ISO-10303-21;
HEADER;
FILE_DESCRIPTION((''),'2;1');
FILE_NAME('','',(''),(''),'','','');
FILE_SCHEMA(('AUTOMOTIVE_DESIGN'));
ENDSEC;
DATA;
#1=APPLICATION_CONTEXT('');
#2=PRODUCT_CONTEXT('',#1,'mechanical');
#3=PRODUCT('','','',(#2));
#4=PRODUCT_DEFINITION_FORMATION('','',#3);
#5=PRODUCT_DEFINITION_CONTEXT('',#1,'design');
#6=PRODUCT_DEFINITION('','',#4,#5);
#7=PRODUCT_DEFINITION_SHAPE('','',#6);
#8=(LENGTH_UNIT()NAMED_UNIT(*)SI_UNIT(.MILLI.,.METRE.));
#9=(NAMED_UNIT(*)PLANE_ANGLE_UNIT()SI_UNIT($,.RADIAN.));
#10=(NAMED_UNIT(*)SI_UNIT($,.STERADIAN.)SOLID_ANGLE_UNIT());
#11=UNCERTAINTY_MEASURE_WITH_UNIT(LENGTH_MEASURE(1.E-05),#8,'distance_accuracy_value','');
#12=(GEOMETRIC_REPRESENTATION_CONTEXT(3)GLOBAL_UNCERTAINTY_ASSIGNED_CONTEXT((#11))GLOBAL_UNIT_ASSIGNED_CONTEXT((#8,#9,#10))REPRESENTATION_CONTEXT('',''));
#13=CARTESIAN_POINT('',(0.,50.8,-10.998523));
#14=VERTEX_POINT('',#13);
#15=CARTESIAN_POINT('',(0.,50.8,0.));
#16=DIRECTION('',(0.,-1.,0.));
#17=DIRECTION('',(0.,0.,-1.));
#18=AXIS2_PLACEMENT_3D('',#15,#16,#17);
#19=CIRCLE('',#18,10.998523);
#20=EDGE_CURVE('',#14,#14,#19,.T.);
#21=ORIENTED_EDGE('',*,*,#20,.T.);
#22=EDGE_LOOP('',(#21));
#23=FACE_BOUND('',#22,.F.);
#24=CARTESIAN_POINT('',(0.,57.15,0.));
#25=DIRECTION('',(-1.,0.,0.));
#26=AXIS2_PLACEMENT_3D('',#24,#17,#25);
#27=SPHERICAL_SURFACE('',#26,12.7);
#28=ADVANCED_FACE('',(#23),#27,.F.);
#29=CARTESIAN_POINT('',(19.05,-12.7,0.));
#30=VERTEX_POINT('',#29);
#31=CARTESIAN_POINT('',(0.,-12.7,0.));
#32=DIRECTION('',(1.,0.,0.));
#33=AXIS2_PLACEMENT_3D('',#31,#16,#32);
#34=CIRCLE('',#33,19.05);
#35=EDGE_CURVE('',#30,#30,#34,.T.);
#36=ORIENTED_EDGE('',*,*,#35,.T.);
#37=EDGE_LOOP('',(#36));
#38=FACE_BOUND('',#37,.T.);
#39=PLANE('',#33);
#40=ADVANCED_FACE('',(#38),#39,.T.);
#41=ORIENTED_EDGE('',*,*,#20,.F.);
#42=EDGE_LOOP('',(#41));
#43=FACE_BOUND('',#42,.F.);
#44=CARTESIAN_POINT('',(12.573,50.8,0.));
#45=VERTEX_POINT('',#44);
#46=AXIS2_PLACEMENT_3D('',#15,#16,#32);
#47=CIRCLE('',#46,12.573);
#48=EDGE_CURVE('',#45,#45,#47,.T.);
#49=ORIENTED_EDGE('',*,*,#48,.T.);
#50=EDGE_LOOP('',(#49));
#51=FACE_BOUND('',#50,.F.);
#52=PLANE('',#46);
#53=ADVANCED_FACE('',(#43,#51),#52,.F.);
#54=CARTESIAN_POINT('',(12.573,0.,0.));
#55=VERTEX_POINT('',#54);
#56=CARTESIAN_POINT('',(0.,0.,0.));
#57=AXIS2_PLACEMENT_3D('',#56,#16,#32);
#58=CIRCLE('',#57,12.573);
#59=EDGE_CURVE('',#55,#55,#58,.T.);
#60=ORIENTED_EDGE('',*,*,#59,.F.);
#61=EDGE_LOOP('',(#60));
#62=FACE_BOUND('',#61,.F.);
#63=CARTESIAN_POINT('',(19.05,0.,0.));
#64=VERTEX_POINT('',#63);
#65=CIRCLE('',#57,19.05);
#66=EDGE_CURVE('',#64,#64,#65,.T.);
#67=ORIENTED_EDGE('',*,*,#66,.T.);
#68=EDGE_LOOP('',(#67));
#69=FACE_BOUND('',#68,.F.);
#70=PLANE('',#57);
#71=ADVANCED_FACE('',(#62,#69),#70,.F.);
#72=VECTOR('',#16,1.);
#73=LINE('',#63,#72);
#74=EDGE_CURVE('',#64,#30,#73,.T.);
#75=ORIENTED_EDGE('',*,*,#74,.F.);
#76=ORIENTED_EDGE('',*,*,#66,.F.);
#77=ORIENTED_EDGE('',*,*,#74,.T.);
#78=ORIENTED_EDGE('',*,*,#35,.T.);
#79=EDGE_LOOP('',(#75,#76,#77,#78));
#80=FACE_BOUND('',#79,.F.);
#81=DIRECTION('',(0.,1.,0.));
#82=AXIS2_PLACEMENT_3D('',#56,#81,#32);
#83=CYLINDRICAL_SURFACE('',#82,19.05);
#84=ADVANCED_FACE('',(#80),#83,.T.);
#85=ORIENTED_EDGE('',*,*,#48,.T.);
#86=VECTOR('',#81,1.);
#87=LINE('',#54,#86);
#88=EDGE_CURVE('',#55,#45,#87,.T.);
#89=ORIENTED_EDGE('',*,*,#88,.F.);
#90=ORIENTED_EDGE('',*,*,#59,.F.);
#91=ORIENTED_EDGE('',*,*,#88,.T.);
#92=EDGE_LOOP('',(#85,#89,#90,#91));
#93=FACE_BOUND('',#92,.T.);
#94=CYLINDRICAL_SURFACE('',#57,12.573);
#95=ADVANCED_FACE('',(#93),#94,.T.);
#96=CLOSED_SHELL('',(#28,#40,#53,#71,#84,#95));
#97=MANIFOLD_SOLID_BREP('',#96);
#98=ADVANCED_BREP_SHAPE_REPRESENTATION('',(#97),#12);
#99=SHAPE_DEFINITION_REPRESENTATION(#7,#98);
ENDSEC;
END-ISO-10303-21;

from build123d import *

# Parameters (mm, degrees)
F0_R     = 19.05
F1_DEPTH = 12.7
F2_R     = 12.573
F3_DEPTH = 50.8


with BuildPart() as f1:
    # F0 (on Front) → F1 (new body)
    with BuildSketch(Plane.XZ):
        Circle(F0_R)
    extrude(amount=F1_DEPTH)

    # F2 (on Front) → F3 (join)
    with BuildSketch(Plane.XZ):
        Circle(F2_R)
    extrude(amount=-F3_DEPTH)

    # F5 (on offset) → F6 (revolve, cut)
    with BuildSketch(Plane.XZ.offset(-57.15)):
        with BuildLine():
            Line((0, -12.7), (0, 12.7))
            ThreePointArc((0, 12.7), (-12.7, 0), (0, -12.7))
        make_face()
    revolve(axis=Axis((0, 57.15, 0), (0, 0, -1)), mode=Mode.SUBTRACT)


solid = f1.part
